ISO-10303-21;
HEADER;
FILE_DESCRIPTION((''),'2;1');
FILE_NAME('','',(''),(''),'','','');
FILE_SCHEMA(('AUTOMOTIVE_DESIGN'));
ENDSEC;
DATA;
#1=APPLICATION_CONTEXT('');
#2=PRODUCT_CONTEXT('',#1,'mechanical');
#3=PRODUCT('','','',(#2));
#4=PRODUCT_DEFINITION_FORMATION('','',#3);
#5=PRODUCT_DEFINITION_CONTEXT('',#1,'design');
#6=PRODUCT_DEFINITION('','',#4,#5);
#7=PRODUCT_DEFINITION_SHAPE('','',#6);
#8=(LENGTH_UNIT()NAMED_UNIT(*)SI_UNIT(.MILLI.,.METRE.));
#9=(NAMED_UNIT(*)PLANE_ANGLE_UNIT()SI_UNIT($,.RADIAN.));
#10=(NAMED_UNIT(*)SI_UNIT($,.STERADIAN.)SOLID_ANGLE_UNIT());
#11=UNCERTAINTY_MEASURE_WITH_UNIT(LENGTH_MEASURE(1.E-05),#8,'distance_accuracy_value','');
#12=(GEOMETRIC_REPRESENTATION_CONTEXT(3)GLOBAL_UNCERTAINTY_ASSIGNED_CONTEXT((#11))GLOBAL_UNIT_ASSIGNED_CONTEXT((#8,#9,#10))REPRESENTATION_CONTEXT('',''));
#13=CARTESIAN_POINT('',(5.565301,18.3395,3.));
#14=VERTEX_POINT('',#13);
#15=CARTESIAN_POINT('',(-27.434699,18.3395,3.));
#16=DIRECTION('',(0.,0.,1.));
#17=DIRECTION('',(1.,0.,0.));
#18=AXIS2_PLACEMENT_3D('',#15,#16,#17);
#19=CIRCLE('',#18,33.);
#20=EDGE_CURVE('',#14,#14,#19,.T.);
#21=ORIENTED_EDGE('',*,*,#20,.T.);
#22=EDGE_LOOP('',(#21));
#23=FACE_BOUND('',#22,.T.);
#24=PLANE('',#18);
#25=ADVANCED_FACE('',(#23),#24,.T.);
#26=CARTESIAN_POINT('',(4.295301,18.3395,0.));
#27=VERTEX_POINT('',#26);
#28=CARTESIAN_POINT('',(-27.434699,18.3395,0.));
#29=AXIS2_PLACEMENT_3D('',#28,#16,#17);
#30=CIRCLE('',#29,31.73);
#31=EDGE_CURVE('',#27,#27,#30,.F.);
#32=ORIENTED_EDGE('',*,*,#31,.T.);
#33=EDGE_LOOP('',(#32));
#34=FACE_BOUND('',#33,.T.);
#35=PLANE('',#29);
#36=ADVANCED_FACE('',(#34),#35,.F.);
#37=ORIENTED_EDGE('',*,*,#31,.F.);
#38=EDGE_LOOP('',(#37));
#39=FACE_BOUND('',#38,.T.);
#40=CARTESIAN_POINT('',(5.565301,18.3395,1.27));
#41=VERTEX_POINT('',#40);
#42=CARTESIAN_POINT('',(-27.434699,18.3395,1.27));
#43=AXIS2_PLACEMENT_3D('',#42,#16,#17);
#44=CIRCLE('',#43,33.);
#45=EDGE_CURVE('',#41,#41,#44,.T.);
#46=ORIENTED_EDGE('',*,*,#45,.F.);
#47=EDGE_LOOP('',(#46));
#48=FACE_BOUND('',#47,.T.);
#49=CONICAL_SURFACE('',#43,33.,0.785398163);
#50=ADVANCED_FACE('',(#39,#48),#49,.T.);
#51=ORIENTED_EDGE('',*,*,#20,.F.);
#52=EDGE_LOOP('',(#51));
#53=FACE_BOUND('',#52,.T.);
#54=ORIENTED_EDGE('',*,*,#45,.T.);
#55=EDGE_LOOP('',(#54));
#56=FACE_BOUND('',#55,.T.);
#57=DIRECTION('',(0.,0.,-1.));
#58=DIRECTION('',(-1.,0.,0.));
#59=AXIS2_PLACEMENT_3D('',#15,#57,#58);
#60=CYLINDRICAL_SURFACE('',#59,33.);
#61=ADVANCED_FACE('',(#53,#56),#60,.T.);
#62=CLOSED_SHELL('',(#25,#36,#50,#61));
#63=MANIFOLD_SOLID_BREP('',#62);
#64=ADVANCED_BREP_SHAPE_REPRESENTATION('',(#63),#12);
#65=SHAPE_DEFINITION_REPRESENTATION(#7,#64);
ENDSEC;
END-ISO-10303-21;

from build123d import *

# Parameters (mm, degrees)
SKETCH1_R           = 33
BOSS_EXTRUDE1_DEPTH = 3
CHAMFER1_SIZE       = 1.27


with BuildPart() as part:
    # Sketch1 → Boss-Extrude1 (new body)
    with BuildSketch(Plane.XY):
        with Locations((-27.434699442, 18.339500171)):
            Circle(SKETCH1_R)
    extrude(amount=BOSS_EXTRUDE1_DEPTH)

    # Chamfer1
    chamfer1_edges = [part.edges().sort_by_distance(p)[0] for p in [
        (-60.434699442, 18.339500171, 0),
    ]]
    chamfer(chamfer1_edges, length=CHAMFER1_SIZE)


solid = part.part
